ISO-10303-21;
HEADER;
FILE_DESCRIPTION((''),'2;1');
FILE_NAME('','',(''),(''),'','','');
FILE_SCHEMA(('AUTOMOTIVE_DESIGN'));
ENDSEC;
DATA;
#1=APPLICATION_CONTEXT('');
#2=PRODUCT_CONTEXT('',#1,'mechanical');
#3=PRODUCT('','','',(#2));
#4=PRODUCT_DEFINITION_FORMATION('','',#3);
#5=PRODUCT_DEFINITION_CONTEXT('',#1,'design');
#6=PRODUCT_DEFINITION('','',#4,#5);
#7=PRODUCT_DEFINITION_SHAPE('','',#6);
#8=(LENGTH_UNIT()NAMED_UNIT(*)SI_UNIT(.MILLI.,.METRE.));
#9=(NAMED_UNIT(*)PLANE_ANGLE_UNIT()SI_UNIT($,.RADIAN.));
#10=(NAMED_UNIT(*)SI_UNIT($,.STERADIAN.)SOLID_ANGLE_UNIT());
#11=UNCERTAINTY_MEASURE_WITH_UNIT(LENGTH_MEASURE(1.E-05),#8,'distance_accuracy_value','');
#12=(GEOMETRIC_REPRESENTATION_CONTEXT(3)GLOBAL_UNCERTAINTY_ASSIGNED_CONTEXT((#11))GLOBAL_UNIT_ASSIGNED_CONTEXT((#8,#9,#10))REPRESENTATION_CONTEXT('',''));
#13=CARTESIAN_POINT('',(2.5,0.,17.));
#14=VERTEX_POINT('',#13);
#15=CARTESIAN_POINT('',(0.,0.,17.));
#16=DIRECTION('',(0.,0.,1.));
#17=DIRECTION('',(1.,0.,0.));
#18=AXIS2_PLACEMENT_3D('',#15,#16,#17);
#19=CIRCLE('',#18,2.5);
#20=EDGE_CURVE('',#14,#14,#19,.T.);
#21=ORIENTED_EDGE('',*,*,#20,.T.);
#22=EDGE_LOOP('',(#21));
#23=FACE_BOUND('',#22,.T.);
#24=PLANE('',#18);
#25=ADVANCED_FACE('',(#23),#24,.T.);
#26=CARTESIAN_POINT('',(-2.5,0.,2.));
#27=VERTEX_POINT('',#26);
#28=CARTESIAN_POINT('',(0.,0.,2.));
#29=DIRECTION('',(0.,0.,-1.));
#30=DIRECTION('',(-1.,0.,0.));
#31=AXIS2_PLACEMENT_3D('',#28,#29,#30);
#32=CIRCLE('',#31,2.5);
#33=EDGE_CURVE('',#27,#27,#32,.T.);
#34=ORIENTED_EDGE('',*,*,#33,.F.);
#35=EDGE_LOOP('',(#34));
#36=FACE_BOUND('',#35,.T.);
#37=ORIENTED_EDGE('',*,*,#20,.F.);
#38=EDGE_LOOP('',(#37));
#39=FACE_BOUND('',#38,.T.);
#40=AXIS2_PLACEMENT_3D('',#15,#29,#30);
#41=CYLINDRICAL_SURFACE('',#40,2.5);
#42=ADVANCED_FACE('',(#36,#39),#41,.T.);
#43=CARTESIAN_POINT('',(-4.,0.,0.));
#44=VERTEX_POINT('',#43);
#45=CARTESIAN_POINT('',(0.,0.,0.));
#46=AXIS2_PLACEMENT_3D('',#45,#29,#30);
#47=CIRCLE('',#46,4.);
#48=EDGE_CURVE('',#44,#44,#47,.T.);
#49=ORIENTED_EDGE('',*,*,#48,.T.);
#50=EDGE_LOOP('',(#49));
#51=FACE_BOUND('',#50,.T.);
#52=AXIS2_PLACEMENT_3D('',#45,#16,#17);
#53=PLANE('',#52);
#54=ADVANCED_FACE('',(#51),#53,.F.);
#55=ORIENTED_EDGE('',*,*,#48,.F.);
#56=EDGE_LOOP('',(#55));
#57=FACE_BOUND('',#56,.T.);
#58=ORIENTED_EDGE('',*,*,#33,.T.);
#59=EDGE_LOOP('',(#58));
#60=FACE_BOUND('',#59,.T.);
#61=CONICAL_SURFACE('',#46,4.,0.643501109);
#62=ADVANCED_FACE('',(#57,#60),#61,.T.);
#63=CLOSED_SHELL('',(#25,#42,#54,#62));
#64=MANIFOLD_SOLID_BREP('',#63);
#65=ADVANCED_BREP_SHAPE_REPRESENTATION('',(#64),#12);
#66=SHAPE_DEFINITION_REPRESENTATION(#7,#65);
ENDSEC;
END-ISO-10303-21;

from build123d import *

# Parameters (mm, degrees)
SKETCH1_R           = 4
BOSS_EXTRUDE1_DEPTH = 2
SKETCH2_R           = 2.5
BOSS_EXTRUDE2_DEPTH = 15


with BuildPart() as part:
    # Sketch1 → Boss-Extrude1 (new body)
    with BuildSketch(Plane(origin=(0, 0, 0), x_dir=(0, 1, 0), z_dir=(0, 0, 1))):
        with Locations(Location((0, 0, 0), (0, 0, 270))):
            Circle(SKETCH1_R)
    extrude(amount=BOSS_EXTRUDE1_DEPTH)

    # Sketch2 → Boss-Extrude2 (add)
    with BuildSketch(Plane.XY.offset(2)):
        Circle(SKETCH2_R)
    extrude(amount=BOSS_EXTRUDE2_DEPTH)

    # Sketch3 → Cut-Revolve1 (revolve, cut)
    with BuildSketch(Plane.YZ, mode=Mode.PRIVATE) as cut_revolve1_sk:
        Polygon((-2.5, 2), (-4, 2), (-4, 0), align=None)
    revolve(cut_revolve1_sk.sketch.rotate(Axis((0, 0, 0), (0, 0, 1)), 270), axis=Axis((0, 0, 0), (0, 0, 1)), mode=Mode.SUBTRACT)


solid = part.part
